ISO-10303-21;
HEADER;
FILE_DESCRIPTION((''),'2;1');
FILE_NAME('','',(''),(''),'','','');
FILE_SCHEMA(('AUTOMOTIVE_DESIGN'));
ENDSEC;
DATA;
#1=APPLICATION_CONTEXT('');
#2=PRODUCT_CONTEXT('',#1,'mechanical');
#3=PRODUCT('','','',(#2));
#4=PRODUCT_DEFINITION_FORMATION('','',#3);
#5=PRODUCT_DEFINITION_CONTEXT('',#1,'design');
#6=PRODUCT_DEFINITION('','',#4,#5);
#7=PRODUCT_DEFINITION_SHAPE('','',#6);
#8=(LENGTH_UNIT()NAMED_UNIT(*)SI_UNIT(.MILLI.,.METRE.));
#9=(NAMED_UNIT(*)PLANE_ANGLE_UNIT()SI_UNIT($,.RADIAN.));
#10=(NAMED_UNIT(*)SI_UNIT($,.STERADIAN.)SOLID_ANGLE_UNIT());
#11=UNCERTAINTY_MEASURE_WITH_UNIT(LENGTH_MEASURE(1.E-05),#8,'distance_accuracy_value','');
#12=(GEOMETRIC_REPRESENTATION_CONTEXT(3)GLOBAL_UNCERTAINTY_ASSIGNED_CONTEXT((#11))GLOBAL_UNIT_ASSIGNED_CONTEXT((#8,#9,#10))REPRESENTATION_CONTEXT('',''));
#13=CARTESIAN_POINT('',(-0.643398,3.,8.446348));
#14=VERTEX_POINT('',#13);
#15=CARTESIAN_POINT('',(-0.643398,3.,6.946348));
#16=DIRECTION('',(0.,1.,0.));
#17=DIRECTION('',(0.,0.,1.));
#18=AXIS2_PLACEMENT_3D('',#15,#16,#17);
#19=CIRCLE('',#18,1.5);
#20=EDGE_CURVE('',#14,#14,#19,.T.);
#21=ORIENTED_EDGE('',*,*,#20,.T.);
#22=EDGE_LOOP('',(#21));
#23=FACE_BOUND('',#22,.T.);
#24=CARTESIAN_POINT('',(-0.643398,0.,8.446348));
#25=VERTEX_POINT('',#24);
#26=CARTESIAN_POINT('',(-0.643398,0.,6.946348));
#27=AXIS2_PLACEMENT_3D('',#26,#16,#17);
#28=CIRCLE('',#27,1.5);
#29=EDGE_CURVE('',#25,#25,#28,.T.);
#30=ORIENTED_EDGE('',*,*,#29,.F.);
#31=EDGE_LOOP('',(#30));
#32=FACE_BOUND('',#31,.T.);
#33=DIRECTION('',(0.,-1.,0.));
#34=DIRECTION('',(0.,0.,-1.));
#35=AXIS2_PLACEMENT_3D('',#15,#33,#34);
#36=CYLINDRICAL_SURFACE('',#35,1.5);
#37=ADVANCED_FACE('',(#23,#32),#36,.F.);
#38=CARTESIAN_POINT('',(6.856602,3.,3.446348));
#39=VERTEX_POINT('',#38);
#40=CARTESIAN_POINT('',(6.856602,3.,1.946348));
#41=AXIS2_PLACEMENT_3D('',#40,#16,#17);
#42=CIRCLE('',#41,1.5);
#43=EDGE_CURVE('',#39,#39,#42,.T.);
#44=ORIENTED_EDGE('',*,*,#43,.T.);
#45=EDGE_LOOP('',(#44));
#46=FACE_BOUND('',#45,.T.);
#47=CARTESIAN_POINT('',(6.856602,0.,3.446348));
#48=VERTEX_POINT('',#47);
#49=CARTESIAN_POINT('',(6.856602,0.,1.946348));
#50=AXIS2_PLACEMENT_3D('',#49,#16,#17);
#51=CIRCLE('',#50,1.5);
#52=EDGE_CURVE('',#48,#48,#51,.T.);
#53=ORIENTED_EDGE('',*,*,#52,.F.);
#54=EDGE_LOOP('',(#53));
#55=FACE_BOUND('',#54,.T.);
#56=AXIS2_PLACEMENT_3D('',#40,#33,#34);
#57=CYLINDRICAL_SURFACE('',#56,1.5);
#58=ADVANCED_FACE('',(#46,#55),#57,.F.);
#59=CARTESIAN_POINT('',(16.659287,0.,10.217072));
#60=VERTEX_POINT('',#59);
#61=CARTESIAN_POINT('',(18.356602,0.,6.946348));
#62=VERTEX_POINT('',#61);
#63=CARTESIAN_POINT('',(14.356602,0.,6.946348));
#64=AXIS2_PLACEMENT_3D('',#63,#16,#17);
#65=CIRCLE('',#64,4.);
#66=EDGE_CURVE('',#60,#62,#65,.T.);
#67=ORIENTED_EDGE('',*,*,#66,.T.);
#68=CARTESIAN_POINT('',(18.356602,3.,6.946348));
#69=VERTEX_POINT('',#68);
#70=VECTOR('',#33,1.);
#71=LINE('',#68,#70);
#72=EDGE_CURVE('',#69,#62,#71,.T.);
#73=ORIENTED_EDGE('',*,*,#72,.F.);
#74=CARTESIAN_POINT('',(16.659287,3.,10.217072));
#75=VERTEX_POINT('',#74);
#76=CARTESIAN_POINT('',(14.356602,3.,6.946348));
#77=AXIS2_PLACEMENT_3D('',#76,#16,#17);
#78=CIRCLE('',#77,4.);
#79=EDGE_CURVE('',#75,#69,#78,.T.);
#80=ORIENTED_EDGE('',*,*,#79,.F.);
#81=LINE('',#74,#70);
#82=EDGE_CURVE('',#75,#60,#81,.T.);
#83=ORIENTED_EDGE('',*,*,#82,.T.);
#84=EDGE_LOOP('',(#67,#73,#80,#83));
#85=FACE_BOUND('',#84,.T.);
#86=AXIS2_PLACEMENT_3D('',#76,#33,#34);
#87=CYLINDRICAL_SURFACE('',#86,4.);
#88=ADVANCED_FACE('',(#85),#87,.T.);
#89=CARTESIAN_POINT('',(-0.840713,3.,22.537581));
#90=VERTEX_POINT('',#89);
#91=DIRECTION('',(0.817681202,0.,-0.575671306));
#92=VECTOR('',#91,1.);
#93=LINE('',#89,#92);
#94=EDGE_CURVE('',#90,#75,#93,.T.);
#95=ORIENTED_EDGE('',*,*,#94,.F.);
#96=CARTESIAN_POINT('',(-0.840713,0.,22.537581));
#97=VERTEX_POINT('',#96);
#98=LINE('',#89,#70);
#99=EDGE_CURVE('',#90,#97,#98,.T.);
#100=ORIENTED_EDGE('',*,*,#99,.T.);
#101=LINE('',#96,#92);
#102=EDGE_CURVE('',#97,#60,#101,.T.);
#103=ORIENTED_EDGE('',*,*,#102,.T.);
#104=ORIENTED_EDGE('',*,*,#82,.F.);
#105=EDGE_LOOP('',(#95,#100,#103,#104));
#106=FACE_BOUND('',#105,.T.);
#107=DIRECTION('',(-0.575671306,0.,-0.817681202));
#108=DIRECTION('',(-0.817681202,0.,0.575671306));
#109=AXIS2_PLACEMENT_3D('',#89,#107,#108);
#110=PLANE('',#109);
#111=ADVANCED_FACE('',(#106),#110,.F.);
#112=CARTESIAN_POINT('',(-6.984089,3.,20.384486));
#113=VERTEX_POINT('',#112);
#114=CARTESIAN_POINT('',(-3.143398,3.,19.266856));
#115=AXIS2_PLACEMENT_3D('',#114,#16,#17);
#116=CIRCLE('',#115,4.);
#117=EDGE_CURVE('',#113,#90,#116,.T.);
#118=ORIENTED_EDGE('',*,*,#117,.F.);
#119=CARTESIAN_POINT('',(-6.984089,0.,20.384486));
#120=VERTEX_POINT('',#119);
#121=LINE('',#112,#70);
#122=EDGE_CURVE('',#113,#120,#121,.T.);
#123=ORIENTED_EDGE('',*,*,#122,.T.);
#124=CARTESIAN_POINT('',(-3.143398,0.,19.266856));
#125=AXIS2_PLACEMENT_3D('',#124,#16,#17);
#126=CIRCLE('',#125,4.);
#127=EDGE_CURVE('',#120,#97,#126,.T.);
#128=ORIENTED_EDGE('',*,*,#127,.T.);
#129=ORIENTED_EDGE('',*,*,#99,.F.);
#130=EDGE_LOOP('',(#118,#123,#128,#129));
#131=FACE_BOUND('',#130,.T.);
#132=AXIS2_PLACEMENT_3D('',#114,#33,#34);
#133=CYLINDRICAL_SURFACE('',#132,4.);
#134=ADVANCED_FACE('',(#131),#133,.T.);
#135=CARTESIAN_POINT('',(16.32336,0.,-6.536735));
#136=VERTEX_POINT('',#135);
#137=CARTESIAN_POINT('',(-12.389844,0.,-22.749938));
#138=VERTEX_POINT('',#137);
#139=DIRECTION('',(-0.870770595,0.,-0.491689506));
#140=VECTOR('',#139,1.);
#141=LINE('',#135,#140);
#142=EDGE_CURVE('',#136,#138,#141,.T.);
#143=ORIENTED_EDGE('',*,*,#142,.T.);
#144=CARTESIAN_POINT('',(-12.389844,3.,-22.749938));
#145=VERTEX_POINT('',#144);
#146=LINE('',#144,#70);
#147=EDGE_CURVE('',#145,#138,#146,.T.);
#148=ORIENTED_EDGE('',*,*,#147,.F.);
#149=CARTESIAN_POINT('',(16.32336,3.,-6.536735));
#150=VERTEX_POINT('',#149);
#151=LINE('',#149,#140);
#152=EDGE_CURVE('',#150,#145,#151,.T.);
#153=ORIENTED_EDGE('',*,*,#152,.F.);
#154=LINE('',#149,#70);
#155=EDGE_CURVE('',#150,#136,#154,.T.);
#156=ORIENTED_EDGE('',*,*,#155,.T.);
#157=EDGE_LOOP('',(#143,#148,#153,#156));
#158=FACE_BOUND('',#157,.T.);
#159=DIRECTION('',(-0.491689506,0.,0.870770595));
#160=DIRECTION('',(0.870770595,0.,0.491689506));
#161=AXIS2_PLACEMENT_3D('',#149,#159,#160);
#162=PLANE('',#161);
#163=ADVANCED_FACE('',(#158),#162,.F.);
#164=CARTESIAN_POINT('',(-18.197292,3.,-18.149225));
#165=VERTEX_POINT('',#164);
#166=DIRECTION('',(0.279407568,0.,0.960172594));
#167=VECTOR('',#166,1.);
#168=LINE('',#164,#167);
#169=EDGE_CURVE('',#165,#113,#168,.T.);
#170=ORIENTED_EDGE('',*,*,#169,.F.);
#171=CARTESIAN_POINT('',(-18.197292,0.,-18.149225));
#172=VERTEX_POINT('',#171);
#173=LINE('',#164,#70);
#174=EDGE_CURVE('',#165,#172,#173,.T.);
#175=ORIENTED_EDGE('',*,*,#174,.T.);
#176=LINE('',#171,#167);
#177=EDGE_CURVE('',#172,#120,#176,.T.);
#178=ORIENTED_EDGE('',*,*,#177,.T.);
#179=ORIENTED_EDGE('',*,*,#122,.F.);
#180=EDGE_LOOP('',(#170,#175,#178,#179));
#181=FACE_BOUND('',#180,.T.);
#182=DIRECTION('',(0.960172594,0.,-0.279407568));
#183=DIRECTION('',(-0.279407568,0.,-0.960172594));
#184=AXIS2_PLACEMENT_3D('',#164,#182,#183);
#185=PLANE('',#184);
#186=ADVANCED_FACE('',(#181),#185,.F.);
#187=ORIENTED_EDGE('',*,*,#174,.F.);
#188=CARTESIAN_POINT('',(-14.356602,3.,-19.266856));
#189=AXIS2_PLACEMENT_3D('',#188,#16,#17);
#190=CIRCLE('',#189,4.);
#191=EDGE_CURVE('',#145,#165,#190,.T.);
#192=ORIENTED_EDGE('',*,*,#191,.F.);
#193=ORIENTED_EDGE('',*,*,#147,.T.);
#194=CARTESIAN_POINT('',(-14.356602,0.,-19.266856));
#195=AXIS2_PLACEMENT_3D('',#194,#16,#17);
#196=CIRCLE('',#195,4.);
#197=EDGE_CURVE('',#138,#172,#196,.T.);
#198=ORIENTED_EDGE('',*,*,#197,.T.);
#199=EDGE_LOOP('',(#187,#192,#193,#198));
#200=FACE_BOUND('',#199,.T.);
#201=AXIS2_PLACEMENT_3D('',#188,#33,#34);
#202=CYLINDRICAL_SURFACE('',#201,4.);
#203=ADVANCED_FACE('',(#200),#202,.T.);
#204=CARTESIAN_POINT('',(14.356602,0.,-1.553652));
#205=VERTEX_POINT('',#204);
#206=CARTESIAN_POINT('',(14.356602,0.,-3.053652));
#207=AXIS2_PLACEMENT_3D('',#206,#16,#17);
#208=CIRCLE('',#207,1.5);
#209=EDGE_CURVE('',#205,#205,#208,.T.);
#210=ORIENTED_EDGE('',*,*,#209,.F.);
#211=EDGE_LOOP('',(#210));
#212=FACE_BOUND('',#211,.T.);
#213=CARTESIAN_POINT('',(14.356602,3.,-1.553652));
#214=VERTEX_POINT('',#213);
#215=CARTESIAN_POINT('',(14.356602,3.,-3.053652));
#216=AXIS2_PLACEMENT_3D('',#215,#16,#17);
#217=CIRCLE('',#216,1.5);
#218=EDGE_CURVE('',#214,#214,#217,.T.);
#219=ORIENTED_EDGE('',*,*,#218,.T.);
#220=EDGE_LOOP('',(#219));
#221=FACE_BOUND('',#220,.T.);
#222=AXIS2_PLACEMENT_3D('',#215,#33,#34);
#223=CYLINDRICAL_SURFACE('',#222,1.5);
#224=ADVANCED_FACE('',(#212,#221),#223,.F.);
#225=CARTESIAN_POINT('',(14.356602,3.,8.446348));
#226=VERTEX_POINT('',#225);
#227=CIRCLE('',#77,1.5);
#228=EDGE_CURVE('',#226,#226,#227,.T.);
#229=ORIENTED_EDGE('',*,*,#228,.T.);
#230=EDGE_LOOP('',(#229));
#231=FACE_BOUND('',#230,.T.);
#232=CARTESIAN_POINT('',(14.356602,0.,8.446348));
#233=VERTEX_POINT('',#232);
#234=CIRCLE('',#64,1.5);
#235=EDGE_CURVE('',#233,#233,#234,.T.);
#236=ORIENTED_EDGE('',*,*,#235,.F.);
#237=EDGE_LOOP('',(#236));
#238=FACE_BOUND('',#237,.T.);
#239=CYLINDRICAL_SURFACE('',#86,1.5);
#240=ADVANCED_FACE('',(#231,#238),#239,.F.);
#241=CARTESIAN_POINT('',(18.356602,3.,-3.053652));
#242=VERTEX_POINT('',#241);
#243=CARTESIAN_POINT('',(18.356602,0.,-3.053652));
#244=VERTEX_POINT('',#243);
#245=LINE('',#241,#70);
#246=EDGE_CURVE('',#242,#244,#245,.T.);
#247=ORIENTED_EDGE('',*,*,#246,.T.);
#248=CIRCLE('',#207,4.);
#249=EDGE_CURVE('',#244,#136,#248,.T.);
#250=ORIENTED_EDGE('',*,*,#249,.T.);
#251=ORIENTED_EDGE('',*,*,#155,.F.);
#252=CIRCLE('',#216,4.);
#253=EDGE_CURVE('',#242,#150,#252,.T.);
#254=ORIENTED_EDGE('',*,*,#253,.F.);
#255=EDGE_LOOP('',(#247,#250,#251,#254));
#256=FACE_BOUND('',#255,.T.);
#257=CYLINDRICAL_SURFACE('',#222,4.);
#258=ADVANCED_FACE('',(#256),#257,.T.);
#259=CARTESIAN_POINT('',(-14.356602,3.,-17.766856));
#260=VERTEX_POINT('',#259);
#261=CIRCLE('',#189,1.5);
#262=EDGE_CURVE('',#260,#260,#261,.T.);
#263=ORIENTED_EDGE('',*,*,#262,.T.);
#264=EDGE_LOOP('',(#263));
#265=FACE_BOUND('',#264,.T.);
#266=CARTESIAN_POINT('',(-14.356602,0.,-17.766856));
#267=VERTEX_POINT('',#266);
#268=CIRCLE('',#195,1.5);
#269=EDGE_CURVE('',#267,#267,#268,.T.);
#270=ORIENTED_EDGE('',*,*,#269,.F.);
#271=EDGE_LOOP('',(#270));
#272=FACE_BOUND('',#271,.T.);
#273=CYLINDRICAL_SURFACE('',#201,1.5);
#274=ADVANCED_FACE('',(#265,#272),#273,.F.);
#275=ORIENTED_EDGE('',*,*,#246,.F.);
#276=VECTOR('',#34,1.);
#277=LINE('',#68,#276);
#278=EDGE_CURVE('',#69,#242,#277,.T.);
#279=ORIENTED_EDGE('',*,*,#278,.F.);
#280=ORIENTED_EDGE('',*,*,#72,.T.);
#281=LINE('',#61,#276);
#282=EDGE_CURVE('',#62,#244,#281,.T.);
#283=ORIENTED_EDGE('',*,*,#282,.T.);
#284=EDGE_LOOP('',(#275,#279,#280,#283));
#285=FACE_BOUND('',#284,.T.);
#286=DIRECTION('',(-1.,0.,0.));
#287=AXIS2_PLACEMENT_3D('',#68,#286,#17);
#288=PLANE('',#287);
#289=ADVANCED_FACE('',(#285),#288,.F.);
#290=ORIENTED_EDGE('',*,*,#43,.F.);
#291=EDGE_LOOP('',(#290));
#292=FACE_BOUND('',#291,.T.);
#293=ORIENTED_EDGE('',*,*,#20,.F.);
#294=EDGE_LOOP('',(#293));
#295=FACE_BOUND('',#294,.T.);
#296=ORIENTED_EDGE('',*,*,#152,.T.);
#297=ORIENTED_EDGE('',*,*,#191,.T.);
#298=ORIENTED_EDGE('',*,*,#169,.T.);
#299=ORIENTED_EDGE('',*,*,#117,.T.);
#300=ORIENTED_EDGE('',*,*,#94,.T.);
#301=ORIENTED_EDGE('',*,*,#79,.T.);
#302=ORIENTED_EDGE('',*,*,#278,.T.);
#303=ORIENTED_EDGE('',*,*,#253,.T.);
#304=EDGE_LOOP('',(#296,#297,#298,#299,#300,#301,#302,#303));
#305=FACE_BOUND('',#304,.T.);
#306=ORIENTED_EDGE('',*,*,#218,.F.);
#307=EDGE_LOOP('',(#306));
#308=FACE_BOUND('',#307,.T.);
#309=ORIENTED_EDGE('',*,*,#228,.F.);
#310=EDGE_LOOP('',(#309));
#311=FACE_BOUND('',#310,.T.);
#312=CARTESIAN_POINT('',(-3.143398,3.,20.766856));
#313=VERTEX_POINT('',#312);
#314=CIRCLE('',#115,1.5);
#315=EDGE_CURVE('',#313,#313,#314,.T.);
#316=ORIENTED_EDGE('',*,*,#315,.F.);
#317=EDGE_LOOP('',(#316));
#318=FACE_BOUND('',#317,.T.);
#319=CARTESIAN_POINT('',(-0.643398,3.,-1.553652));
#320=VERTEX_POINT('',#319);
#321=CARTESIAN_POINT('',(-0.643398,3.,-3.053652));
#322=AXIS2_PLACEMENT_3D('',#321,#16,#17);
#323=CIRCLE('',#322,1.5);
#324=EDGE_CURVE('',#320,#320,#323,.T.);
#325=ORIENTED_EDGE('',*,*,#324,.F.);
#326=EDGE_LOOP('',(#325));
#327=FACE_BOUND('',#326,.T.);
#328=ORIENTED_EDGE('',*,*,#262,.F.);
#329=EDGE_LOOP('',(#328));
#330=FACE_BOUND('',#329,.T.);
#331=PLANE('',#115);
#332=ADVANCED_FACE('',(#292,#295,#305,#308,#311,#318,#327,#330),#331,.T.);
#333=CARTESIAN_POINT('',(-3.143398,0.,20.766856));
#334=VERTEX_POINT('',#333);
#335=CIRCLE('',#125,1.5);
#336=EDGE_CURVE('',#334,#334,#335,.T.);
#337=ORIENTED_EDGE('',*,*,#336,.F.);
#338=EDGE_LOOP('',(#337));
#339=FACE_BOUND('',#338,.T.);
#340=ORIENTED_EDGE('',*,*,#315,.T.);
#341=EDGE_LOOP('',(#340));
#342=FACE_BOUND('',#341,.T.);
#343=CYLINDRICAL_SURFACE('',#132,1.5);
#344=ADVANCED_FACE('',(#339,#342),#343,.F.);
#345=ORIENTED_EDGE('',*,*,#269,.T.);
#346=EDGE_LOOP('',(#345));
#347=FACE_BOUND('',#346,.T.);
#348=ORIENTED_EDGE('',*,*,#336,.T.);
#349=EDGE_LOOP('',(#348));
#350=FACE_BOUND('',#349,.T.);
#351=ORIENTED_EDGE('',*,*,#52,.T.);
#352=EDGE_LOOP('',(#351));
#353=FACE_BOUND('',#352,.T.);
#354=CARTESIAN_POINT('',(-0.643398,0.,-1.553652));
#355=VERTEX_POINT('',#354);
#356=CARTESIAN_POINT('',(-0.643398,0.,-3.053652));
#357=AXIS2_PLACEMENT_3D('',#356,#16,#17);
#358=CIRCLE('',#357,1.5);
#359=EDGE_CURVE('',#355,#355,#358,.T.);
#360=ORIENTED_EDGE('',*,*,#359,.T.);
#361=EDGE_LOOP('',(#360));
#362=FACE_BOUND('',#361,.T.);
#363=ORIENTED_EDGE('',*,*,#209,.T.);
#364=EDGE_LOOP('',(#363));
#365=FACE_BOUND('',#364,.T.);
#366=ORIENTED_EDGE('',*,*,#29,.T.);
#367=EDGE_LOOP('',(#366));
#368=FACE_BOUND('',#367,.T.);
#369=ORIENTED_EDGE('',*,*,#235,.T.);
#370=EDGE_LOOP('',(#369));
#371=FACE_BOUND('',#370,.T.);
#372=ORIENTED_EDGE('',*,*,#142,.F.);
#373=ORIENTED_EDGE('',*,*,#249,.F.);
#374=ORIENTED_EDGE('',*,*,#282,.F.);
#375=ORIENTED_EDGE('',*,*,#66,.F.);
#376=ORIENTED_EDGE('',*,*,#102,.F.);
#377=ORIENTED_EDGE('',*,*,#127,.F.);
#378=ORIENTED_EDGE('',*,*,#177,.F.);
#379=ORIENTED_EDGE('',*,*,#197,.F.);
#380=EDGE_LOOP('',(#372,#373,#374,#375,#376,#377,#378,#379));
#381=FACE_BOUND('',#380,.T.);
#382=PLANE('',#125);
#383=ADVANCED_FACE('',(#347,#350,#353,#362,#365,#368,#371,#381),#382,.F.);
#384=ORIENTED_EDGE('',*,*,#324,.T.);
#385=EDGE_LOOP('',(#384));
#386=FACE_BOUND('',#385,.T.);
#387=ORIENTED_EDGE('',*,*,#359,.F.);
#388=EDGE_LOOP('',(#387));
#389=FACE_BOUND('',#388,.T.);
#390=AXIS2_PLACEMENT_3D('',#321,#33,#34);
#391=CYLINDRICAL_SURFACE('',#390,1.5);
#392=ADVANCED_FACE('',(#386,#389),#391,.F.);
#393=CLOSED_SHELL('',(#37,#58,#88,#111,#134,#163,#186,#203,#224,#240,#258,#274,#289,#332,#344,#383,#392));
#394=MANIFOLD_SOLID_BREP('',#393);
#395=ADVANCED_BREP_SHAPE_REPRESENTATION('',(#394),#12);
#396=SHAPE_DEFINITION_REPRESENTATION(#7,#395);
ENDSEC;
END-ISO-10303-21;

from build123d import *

# Parameters (mm, degrees)
SKETCH1_R           = 1.5
BOSS_EXTRUDE1_DEPTH = 3


with BuildPart() as part:
    # Sketch1 → Boss-Extrude1 (new body)
    with BuildSketch(Plane(origin=(0, 0, 0), x_dir=(1, 0, 0), z_dir=(0, 1, 0))):
        with BuildLine():
            Line((-0.840713059, -22.537580563), (16.659286941, -10.217072487))
            ThreePointArc((16.659286941, -10.217072487), (17.907005983, -8.788799729), (18.356601718, -6.94634768))
            Line((18.356601718, -6.94634768), (18.356601718, 3.05365232))
            ThreePointArc((18.356601718, 3.05365232), (17.811093873, 5.070204812), (16.323359741, 6.536734702))
            Line((16.323359741, 6.536734702), (-12.389843694, 22.749938137))
            ThreePointArc((-12.389843694, 22.749938137), (-16.840458568, 22.402211421), (-18.197292095, 18.149225482))
            Line((-18.197292095, 18.149225482), (-6.984088659, -20.384486029))
            ThreePointArc((-6.984088659, -20.384486029), (-4.466394496, -23.041730723), (-0.840713059, -22.537580563))
        make_face()
        with Locations((14.356601718, -6.94634768)):
            Circle(SKETCH1_R, mode=Mode.SUBTRACT)
        with Locations((14.356601718, 3.05365232)):
            Circle(SKETCH1_R, mode=Mode.SUBTRACT)
        with Locations((6.856601718, -1.94634768)):
            Circle(SKETCH1_R, mode=Mode.SUBTRACT)
        with Locations((-3.143398282, -19.266855756)):
            Circle(SKETCH1_R, mode=Mode.SUBTRACT)
        with Locations((-0.643398282, -6.94634768)):
            Circle(SKETCH1_R, mode=Mode.SUBTRACT)
        with Locations((-0.643398282, 3.05365232)):
            Circle(SKETCH1_R, mode=Mode.SUBTRACT)
        with Locations((-14.356601718, 19.266855756)):
            Circle(SKETCH1_R, mode=Mode.SUBTRACT)
    extrude(amount=BOSS_EXTRUDE1_DEPTH)


solid = part.part
